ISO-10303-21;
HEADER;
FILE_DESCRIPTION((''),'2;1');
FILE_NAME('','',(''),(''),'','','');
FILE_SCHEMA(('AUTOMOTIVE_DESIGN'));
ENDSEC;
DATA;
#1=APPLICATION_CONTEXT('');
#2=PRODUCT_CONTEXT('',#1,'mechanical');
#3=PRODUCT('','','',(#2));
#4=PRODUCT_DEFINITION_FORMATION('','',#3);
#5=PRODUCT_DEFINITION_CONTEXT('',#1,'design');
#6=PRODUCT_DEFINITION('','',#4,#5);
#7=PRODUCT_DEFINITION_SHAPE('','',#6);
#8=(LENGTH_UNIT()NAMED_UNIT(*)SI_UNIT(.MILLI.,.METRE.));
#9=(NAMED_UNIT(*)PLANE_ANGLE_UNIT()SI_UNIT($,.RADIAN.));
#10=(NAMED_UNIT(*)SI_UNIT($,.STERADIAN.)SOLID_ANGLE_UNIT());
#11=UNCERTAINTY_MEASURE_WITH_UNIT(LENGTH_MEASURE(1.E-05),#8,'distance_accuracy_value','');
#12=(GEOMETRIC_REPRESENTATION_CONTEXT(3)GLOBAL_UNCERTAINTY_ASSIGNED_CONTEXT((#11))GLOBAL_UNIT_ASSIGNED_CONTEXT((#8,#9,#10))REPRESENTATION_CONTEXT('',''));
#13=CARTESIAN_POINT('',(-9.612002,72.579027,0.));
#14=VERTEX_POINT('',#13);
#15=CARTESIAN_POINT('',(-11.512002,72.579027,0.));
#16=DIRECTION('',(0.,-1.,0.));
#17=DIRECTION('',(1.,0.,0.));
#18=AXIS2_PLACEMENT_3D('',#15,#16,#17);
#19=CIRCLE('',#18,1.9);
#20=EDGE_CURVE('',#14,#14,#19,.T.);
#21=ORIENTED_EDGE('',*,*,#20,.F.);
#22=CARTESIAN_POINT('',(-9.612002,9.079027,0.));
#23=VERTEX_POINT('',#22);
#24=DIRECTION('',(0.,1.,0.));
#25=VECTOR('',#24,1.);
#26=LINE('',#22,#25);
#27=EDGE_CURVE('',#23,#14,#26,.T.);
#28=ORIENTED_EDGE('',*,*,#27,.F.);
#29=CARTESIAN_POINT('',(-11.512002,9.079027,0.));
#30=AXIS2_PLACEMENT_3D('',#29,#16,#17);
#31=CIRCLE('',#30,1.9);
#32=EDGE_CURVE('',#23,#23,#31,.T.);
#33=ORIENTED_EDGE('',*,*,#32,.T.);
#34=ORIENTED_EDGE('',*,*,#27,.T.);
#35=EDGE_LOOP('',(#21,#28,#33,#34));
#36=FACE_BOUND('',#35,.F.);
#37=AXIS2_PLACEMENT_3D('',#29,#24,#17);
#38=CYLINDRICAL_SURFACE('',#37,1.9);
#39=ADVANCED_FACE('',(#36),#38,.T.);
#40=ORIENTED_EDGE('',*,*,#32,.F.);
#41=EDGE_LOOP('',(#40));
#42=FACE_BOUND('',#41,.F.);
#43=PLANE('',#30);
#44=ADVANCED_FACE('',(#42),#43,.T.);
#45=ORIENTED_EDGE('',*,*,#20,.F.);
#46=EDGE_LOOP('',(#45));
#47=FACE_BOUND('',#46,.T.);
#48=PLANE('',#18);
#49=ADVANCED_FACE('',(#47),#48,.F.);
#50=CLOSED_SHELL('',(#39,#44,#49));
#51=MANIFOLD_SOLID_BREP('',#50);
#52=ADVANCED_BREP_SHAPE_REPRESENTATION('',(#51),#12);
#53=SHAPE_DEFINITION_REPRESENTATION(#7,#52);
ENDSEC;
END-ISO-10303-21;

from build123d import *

# Parameters (mm, degrees)
F0_W   = 1.9
F0_H   = 35.4228537479
F0_H_2 = 28.0771462521


with BuildPart() as f1:
    # F0 (on Top) → F1 (revolve)
    with BuildSketch(Plane.XY):
        with Locations((-10.5620018413, 54.8675996496)):
            Rectangle(F0_W, F0_H)
        with Locations((-10.5620018413, 23.1175996496)):
            Rectangle(F0_W, F0_H_2)
    revolve(axis=Axis((-11.5120018413, 40.8290265235, 0), (0, -1, 0)))


solid = f1.part
